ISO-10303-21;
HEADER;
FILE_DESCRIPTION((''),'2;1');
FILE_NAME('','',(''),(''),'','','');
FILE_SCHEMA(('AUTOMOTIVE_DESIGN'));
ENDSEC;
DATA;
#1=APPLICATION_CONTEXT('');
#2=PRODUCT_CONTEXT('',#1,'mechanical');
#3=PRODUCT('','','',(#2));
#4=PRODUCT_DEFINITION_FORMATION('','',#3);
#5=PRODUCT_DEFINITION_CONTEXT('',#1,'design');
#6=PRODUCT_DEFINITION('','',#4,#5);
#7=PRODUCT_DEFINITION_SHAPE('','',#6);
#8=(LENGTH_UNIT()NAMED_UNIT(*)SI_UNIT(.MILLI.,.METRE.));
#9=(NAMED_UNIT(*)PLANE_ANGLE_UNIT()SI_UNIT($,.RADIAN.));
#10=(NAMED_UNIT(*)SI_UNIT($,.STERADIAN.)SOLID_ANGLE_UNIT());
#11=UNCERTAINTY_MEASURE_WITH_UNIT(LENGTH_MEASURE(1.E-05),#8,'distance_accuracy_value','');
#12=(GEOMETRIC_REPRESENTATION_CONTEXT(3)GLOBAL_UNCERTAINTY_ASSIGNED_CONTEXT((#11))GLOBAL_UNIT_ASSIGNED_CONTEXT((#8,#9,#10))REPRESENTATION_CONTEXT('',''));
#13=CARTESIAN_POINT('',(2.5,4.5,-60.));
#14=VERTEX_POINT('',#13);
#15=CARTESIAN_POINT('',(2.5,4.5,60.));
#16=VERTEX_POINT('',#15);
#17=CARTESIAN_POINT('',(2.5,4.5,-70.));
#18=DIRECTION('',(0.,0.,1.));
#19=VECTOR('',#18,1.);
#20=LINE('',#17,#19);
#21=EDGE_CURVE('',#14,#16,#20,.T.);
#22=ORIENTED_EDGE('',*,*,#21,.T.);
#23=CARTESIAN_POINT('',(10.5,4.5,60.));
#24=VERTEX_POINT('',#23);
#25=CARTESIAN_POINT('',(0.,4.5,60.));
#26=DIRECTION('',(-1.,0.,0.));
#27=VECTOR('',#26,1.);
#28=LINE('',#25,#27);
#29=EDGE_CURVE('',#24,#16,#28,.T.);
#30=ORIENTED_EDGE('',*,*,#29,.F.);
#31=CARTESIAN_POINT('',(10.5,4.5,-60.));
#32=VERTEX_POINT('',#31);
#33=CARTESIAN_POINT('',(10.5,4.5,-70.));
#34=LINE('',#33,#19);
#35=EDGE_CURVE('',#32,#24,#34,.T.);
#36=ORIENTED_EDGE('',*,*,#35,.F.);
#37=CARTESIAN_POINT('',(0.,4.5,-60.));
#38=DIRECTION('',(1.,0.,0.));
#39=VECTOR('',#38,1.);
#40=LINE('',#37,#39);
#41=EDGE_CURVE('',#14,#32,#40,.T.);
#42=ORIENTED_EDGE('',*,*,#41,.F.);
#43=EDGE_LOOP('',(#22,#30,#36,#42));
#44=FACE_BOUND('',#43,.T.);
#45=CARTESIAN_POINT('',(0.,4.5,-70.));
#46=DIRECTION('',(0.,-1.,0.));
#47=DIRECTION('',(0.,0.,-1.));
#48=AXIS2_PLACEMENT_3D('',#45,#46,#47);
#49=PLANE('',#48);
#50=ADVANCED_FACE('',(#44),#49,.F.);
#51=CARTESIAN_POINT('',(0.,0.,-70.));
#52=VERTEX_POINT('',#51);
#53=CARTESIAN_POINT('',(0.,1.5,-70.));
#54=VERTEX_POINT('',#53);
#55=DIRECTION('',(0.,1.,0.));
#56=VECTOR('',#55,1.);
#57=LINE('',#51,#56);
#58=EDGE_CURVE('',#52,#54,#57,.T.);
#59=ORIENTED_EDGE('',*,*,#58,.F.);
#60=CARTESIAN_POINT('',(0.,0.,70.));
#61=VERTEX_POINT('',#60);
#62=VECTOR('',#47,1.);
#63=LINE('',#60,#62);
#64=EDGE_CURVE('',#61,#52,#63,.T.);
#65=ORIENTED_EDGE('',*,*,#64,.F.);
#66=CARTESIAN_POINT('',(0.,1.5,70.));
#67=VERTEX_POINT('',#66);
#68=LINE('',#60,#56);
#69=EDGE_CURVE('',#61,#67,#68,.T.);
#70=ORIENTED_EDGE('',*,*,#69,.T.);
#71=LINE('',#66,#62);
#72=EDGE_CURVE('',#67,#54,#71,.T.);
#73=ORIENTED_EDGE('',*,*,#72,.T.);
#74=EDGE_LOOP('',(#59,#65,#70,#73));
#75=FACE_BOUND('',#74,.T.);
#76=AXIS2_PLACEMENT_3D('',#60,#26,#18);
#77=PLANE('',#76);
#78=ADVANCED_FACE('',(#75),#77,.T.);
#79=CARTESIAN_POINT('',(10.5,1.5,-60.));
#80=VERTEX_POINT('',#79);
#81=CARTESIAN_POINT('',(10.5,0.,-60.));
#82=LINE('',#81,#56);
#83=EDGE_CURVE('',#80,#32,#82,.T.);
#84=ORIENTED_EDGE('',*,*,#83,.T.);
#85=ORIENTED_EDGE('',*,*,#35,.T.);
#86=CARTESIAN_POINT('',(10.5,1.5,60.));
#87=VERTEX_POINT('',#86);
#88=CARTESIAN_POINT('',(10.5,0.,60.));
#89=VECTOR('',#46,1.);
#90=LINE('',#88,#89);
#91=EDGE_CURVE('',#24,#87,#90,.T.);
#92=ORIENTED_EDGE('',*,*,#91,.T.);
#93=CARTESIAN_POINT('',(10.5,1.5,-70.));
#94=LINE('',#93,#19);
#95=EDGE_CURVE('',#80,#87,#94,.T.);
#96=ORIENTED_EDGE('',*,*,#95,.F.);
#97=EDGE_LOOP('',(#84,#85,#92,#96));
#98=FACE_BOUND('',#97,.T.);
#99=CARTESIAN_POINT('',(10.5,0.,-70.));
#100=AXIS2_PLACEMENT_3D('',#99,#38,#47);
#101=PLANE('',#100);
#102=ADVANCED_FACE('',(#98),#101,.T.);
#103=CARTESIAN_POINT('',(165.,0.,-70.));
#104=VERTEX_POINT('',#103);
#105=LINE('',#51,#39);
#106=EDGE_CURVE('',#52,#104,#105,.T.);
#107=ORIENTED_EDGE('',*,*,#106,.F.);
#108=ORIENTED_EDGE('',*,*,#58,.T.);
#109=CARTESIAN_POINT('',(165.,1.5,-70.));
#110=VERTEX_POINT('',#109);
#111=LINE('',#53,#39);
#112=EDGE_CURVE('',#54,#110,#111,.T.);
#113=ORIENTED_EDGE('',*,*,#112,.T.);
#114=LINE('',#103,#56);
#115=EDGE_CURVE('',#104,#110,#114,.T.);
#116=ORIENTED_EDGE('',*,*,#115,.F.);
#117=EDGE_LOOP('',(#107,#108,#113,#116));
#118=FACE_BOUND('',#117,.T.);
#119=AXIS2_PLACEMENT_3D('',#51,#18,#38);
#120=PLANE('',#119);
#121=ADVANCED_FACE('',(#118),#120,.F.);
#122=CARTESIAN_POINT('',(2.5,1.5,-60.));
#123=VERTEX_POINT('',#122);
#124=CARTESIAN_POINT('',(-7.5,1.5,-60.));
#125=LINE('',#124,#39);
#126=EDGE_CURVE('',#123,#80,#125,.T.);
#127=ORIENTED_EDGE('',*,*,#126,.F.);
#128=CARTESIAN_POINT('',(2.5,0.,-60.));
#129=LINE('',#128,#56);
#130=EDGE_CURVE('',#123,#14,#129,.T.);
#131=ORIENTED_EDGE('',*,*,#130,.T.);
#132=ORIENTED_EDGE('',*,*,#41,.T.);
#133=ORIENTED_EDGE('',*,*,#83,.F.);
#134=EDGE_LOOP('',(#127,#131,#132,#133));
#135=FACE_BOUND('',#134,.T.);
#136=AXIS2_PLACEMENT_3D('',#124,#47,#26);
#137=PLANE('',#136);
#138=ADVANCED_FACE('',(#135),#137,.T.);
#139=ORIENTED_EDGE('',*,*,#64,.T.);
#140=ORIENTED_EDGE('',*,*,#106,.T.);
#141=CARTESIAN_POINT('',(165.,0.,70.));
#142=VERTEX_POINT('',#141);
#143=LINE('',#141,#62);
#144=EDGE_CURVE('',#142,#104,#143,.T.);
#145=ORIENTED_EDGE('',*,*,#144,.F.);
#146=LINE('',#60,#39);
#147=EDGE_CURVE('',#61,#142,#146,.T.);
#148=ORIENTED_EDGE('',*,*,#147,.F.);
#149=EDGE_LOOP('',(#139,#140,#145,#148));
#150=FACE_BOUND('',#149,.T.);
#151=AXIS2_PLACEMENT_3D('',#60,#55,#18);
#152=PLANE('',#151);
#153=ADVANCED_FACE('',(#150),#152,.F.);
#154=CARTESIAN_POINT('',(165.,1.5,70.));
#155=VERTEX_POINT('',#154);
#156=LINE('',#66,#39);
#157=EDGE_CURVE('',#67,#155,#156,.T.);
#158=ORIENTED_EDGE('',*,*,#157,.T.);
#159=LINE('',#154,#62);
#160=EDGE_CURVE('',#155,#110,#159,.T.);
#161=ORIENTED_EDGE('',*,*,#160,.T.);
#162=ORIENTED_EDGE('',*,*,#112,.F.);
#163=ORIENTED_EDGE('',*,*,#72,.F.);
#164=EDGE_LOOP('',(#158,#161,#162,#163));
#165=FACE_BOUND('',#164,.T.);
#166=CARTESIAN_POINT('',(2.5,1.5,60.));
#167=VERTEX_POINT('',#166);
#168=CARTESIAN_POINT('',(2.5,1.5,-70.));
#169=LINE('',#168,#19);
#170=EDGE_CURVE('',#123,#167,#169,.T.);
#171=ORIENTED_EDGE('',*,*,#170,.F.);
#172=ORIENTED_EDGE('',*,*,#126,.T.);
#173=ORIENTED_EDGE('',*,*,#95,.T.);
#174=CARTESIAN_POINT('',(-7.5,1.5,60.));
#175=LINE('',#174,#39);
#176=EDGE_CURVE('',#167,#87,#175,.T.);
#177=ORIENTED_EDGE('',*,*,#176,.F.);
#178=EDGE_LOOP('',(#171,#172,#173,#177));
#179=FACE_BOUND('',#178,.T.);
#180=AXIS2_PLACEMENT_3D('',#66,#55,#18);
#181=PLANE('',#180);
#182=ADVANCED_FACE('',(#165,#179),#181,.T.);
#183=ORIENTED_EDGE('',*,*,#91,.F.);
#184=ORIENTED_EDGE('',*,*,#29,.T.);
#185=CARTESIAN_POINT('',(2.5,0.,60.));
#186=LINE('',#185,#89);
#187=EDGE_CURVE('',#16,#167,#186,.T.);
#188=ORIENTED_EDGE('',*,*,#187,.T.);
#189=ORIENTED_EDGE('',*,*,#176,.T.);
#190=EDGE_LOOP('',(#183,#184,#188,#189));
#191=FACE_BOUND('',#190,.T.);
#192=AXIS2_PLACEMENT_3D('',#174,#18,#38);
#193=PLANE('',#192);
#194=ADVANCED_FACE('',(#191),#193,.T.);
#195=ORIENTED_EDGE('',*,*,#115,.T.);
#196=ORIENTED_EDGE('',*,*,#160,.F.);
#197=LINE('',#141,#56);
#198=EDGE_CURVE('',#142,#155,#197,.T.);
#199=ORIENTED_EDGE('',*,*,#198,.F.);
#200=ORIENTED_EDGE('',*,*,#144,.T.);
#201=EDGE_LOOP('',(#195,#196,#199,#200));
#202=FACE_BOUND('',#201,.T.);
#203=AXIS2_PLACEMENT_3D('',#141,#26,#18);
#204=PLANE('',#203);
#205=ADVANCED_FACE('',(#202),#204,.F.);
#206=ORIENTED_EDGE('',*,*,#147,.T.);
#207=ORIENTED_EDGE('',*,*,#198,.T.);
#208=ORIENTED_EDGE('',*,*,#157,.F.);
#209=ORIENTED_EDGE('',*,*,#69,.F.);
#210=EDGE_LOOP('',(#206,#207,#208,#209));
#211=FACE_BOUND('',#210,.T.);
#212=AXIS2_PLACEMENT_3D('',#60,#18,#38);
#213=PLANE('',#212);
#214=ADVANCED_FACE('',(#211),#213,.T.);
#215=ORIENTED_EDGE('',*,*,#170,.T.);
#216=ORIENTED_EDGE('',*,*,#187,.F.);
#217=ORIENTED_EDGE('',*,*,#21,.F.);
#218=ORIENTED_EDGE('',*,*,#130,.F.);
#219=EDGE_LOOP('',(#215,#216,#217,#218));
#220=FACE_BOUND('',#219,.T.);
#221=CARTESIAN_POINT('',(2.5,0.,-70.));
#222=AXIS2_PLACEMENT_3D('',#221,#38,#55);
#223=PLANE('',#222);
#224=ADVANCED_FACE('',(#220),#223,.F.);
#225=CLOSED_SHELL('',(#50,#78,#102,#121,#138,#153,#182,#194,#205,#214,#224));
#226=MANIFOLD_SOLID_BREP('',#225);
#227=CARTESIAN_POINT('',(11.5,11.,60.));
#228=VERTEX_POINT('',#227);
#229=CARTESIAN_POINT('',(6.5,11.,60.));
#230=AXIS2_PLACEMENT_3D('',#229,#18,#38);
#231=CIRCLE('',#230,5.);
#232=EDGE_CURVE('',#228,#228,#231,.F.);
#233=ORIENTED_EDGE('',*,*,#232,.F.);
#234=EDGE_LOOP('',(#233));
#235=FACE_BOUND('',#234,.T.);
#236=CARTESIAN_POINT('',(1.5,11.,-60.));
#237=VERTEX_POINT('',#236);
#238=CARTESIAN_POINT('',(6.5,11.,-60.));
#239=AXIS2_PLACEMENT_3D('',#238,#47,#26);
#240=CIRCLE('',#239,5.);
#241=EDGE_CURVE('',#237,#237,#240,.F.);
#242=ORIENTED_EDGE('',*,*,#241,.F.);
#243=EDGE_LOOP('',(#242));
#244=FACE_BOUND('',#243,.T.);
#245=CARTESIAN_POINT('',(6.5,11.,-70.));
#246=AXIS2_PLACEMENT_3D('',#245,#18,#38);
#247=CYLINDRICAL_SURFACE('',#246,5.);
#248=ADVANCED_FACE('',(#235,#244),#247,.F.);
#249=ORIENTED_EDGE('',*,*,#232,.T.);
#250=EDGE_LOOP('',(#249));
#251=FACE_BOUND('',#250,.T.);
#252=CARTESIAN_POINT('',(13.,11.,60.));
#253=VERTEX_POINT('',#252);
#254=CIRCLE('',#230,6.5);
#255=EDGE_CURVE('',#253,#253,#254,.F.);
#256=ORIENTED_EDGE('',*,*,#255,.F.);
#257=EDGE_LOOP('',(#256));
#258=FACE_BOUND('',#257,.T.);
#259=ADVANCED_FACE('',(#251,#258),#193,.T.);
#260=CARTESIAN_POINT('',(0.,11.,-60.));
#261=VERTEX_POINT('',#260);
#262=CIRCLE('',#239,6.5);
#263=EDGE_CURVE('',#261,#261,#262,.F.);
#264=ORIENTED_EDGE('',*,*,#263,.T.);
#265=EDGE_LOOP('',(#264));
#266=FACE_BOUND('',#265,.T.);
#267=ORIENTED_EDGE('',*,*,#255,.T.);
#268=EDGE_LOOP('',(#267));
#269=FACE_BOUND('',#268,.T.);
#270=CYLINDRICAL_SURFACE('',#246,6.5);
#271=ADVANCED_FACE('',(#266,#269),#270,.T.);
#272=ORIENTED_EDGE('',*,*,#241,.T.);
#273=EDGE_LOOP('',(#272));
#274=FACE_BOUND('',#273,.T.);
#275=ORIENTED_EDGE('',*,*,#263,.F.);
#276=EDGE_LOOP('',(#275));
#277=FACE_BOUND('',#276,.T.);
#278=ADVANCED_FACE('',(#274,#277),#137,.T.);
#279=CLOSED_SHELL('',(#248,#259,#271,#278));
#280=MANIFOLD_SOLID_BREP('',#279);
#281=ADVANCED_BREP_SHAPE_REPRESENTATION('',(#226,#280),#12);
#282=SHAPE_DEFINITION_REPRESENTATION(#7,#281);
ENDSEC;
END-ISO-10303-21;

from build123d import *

# Parameters (mm, degrees)
BOSS_EXTRU_1_DEPTH           = 70
BOSS_EXTRU_1_DEPTH_BACK      = 70
BOSS_EXTRU_1_2_DEPTH         = 70
BOSS_EXTRU_1_2_DEPTH_BACK    = 70
ESQUISSE1_R                  = 6.5
ESQUISSE1_R_2                = 5
ENL_V_MAT_EXTRU_1_DEPTH      = 10
ENL_V_MAT_EXTRU_1_DEPTH_BACK = 20
ESQUISSE2_W                  = 10
ESQUISSE2_H                  = 17


with BuildPart() as part:
    # Esquisse1 → Boss.-Extru.1 (new, two sides: drawn at the far end of the back side and taken through both)
    with BuildSketch(Plane.XY.offset(-BOSS_EXTRU_1_DEPTH_BACK)):
        Polygon((0, 1.5), (0, 0), (165, 0), (165, 1.5), (10.5, 1.5), (10.5, 4.5), (6.5, 4.5), (2.5, 4.5), (2.5, 1.5), align=None)
    extrude(amount=BOSS_EXTRU_1_DEPTH + BOSS_EXTRU_1_DEPTH_BACK)


with BuildPart() as body_2:
    # Esquisse1 → Boss.-Extru.1 2 (new, two sides: drawn at the far end of the back side and taken through both)
    with BuildSketch(Plane.XY.offset(-BOSS_EXTRU_1_2_DEPTH_BACK)):
        with Locations((6.5, 11)):
            Circle(ESQUISSE1_R)
        with Locations((6.5, 11)):
            Circle(ESQUISSE1_R_2, mode=Mode.SUBTRACT)
    extrude(amount=BOSS_EXTRU_1_2_DEPTH + BOSS_EXTRU_1_2_DEPTH_BACK)


with BuildPart() as enl_v_mat_extru_1_tool:
    # Esquisse2 → Enlèv. mat.-Extru.1 (new, two sides: drawn at the far end of the back side and taken through both)
    with BuildSketch(Plane.ZY.offset(-2.5).offset(-ENL_V_MAT_EXTRU_1_DEPTH_BACK)):
        with Locations((-65, 10)):
            Rectangle(ESQUISSE2_W, ESQUISSE2_H)
        with Locations((65, 10)):
            Rectangle(ESQUISSE2_W, ESQUISSE2_H)
    extrude(amount=ENL_V_MAT_EXTRU_1_DEPTH + ENL_V_MAT_EXTRU_1_DEPTH_BACK)


with BuildPart() as part_1:
    add(part.part)

    # Enlèv. mat.-Extru.1: cut by enl_v_mat_extru_1_tool
    add(enl_v_mat_extru_1_tool.part, mode=Mode.SUBTRACT)


with BuildPart() as body_2_1:
    add(body_2.part)

    # Enlèv. mat.-Extru.1: cut by enl_v_mat_extru_1_tool
    add(enl_v_mat_extru_1_tool.part, mode=Mode.SUBTRACT)


solid = Compound([part_1.part, body_2_1.part])
